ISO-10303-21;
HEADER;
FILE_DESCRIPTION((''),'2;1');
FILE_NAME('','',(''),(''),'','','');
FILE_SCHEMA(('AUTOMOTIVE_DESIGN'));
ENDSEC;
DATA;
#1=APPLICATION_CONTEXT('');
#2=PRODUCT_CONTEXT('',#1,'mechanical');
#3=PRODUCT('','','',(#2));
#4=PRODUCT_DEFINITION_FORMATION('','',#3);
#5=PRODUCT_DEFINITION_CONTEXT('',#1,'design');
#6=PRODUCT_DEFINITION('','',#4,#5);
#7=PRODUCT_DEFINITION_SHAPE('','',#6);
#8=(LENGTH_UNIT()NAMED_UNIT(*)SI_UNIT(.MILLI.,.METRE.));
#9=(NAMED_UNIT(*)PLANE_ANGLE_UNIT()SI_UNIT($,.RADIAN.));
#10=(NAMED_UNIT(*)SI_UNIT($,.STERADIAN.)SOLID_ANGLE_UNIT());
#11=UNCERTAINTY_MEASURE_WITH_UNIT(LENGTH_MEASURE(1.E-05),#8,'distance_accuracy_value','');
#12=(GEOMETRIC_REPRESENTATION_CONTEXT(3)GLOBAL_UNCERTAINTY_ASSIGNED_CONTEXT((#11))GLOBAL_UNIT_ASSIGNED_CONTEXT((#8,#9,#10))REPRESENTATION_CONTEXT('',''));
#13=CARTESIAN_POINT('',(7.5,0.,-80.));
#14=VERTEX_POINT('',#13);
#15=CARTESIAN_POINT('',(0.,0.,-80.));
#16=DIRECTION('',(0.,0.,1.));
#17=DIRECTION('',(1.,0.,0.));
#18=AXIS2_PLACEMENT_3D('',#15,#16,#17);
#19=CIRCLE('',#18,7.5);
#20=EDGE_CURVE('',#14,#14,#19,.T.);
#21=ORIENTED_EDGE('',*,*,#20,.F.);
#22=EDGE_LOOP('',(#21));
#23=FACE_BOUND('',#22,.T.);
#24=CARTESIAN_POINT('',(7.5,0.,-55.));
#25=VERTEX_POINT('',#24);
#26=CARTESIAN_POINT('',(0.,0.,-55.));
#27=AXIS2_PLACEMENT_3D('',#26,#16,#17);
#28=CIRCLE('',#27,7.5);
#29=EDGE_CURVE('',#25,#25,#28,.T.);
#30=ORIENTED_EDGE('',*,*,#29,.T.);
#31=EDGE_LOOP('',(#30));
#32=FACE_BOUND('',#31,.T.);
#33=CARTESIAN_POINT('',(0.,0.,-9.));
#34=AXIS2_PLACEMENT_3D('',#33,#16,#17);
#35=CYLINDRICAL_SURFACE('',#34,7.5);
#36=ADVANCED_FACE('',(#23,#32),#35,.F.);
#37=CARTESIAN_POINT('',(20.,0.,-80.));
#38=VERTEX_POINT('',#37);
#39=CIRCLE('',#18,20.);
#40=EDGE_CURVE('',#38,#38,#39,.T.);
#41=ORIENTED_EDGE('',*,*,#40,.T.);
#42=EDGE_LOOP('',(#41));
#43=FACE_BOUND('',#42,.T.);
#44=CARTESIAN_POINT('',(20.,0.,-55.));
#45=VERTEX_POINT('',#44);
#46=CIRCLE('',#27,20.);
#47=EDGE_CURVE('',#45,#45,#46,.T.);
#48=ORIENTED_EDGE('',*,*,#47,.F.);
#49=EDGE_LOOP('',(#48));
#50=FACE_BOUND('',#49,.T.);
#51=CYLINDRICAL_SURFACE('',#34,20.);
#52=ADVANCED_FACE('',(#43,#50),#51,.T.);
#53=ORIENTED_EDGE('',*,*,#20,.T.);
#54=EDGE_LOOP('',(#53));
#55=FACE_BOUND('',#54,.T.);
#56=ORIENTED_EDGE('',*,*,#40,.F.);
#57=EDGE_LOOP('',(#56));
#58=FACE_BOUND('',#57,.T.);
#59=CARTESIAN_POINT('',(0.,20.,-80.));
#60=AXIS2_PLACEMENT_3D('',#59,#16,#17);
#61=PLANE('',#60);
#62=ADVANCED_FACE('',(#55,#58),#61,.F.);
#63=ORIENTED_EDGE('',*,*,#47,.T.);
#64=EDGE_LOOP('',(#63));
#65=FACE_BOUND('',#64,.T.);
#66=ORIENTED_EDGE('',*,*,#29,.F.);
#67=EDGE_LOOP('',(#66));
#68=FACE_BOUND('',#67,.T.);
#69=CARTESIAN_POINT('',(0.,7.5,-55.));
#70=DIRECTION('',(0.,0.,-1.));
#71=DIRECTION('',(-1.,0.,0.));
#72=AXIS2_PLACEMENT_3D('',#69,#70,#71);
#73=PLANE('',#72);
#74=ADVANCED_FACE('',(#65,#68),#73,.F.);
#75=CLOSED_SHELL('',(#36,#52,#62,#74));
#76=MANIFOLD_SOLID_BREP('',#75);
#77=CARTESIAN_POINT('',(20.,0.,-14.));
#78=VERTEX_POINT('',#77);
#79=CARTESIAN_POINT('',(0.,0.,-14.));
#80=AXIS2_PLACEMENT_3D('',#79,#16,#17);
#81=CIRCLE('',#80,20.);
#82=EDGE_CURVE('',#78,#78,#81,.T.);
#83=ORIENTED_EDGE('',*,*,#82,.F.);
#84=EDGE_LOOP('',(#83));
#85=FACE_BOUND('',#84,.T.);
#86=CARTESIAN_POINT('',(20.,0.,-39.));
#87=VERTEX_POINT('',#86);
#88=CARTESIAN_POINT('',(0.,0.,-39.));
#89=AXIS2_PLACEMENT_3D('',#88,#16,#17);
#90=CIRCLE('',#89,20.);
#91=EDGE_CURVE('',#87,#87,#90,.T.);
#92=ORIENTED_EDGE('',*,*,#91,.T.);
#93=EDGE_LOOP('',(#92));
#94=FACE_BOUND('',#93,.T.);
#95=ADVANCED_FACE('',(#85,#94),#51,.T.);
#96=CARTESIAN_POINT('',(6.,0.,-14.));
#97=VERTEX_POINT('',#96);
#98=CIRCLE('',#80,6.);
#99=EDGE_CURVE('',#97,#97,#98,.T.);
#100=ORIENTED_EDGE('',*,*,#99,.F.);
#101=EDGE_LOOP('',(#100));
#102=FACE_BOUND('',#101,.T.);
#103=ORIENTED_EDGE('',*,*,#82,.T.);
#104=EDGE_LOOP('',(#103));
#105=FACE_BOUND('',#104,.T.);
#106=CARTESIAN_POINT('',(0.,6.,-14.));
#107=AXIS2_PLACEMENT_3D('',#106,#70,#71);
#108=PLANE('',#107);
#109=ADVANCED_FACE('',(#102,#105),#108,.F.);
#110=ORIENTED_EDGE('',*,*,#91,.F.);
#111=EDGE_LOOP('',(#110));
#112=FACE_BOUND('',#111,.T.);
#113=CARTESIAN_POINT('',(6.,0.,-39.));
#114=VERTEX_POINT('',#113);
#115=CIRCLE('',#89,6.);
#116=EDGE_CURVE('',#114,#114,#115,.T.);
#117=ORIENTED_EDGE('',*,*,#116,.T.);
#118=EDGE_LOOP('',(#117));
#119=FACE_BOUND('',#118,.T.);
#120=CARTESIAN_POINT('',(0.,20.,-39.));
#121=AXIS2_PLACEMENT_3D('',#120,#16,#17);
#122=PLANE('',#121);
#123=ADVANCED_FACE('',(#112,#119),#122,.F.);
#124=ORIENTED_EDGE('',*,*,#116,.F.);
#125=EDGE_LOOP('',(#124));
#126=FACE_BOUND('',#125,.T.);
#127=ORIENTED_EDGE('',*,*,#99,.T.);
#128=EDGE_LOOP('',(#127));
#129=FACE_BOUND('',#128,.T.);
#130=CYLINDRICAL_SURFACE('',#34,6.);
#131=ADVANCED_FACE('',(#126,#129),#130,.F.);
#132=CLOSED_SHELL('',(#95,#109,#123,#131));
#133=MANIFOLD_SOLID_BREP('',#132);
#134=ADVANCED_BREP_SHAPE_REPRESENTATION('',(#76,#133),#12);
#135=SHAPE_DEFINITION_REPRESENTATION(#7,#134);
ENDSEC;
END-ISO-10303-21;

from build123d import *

# Parameters (mm, degrees)
SKETCH_1_W   = 25
SKETCH_1_H   = 14
SKETCH_1_H_2 = 12.5


with BuildPart() as part:
    # 草图1 → 旋转1 (revolve)
    with BuildSketch(Plane(origin=(0, 0, 0), x_dir=(0, 0, -1), z_dir=(1, 0, 0)), mode=Mode.PRIVATE) as revolve_1_sk:
        with Locations((26.5, 13)):
            Rectangle(SKETCH_1_W, SKETCH_1_H)
        with Locations((67.5, 13.75)):
            Rectangle(SKETCH_1_W, SKETCH_1_H_2)
    revolve(revolve_1_sk.sketch.rotate(Axis((0, 0, -9), (0, 0, -1)), 90), axis=Axis((0, 0, -9), (0, 0, -1)))


solid = part.part
